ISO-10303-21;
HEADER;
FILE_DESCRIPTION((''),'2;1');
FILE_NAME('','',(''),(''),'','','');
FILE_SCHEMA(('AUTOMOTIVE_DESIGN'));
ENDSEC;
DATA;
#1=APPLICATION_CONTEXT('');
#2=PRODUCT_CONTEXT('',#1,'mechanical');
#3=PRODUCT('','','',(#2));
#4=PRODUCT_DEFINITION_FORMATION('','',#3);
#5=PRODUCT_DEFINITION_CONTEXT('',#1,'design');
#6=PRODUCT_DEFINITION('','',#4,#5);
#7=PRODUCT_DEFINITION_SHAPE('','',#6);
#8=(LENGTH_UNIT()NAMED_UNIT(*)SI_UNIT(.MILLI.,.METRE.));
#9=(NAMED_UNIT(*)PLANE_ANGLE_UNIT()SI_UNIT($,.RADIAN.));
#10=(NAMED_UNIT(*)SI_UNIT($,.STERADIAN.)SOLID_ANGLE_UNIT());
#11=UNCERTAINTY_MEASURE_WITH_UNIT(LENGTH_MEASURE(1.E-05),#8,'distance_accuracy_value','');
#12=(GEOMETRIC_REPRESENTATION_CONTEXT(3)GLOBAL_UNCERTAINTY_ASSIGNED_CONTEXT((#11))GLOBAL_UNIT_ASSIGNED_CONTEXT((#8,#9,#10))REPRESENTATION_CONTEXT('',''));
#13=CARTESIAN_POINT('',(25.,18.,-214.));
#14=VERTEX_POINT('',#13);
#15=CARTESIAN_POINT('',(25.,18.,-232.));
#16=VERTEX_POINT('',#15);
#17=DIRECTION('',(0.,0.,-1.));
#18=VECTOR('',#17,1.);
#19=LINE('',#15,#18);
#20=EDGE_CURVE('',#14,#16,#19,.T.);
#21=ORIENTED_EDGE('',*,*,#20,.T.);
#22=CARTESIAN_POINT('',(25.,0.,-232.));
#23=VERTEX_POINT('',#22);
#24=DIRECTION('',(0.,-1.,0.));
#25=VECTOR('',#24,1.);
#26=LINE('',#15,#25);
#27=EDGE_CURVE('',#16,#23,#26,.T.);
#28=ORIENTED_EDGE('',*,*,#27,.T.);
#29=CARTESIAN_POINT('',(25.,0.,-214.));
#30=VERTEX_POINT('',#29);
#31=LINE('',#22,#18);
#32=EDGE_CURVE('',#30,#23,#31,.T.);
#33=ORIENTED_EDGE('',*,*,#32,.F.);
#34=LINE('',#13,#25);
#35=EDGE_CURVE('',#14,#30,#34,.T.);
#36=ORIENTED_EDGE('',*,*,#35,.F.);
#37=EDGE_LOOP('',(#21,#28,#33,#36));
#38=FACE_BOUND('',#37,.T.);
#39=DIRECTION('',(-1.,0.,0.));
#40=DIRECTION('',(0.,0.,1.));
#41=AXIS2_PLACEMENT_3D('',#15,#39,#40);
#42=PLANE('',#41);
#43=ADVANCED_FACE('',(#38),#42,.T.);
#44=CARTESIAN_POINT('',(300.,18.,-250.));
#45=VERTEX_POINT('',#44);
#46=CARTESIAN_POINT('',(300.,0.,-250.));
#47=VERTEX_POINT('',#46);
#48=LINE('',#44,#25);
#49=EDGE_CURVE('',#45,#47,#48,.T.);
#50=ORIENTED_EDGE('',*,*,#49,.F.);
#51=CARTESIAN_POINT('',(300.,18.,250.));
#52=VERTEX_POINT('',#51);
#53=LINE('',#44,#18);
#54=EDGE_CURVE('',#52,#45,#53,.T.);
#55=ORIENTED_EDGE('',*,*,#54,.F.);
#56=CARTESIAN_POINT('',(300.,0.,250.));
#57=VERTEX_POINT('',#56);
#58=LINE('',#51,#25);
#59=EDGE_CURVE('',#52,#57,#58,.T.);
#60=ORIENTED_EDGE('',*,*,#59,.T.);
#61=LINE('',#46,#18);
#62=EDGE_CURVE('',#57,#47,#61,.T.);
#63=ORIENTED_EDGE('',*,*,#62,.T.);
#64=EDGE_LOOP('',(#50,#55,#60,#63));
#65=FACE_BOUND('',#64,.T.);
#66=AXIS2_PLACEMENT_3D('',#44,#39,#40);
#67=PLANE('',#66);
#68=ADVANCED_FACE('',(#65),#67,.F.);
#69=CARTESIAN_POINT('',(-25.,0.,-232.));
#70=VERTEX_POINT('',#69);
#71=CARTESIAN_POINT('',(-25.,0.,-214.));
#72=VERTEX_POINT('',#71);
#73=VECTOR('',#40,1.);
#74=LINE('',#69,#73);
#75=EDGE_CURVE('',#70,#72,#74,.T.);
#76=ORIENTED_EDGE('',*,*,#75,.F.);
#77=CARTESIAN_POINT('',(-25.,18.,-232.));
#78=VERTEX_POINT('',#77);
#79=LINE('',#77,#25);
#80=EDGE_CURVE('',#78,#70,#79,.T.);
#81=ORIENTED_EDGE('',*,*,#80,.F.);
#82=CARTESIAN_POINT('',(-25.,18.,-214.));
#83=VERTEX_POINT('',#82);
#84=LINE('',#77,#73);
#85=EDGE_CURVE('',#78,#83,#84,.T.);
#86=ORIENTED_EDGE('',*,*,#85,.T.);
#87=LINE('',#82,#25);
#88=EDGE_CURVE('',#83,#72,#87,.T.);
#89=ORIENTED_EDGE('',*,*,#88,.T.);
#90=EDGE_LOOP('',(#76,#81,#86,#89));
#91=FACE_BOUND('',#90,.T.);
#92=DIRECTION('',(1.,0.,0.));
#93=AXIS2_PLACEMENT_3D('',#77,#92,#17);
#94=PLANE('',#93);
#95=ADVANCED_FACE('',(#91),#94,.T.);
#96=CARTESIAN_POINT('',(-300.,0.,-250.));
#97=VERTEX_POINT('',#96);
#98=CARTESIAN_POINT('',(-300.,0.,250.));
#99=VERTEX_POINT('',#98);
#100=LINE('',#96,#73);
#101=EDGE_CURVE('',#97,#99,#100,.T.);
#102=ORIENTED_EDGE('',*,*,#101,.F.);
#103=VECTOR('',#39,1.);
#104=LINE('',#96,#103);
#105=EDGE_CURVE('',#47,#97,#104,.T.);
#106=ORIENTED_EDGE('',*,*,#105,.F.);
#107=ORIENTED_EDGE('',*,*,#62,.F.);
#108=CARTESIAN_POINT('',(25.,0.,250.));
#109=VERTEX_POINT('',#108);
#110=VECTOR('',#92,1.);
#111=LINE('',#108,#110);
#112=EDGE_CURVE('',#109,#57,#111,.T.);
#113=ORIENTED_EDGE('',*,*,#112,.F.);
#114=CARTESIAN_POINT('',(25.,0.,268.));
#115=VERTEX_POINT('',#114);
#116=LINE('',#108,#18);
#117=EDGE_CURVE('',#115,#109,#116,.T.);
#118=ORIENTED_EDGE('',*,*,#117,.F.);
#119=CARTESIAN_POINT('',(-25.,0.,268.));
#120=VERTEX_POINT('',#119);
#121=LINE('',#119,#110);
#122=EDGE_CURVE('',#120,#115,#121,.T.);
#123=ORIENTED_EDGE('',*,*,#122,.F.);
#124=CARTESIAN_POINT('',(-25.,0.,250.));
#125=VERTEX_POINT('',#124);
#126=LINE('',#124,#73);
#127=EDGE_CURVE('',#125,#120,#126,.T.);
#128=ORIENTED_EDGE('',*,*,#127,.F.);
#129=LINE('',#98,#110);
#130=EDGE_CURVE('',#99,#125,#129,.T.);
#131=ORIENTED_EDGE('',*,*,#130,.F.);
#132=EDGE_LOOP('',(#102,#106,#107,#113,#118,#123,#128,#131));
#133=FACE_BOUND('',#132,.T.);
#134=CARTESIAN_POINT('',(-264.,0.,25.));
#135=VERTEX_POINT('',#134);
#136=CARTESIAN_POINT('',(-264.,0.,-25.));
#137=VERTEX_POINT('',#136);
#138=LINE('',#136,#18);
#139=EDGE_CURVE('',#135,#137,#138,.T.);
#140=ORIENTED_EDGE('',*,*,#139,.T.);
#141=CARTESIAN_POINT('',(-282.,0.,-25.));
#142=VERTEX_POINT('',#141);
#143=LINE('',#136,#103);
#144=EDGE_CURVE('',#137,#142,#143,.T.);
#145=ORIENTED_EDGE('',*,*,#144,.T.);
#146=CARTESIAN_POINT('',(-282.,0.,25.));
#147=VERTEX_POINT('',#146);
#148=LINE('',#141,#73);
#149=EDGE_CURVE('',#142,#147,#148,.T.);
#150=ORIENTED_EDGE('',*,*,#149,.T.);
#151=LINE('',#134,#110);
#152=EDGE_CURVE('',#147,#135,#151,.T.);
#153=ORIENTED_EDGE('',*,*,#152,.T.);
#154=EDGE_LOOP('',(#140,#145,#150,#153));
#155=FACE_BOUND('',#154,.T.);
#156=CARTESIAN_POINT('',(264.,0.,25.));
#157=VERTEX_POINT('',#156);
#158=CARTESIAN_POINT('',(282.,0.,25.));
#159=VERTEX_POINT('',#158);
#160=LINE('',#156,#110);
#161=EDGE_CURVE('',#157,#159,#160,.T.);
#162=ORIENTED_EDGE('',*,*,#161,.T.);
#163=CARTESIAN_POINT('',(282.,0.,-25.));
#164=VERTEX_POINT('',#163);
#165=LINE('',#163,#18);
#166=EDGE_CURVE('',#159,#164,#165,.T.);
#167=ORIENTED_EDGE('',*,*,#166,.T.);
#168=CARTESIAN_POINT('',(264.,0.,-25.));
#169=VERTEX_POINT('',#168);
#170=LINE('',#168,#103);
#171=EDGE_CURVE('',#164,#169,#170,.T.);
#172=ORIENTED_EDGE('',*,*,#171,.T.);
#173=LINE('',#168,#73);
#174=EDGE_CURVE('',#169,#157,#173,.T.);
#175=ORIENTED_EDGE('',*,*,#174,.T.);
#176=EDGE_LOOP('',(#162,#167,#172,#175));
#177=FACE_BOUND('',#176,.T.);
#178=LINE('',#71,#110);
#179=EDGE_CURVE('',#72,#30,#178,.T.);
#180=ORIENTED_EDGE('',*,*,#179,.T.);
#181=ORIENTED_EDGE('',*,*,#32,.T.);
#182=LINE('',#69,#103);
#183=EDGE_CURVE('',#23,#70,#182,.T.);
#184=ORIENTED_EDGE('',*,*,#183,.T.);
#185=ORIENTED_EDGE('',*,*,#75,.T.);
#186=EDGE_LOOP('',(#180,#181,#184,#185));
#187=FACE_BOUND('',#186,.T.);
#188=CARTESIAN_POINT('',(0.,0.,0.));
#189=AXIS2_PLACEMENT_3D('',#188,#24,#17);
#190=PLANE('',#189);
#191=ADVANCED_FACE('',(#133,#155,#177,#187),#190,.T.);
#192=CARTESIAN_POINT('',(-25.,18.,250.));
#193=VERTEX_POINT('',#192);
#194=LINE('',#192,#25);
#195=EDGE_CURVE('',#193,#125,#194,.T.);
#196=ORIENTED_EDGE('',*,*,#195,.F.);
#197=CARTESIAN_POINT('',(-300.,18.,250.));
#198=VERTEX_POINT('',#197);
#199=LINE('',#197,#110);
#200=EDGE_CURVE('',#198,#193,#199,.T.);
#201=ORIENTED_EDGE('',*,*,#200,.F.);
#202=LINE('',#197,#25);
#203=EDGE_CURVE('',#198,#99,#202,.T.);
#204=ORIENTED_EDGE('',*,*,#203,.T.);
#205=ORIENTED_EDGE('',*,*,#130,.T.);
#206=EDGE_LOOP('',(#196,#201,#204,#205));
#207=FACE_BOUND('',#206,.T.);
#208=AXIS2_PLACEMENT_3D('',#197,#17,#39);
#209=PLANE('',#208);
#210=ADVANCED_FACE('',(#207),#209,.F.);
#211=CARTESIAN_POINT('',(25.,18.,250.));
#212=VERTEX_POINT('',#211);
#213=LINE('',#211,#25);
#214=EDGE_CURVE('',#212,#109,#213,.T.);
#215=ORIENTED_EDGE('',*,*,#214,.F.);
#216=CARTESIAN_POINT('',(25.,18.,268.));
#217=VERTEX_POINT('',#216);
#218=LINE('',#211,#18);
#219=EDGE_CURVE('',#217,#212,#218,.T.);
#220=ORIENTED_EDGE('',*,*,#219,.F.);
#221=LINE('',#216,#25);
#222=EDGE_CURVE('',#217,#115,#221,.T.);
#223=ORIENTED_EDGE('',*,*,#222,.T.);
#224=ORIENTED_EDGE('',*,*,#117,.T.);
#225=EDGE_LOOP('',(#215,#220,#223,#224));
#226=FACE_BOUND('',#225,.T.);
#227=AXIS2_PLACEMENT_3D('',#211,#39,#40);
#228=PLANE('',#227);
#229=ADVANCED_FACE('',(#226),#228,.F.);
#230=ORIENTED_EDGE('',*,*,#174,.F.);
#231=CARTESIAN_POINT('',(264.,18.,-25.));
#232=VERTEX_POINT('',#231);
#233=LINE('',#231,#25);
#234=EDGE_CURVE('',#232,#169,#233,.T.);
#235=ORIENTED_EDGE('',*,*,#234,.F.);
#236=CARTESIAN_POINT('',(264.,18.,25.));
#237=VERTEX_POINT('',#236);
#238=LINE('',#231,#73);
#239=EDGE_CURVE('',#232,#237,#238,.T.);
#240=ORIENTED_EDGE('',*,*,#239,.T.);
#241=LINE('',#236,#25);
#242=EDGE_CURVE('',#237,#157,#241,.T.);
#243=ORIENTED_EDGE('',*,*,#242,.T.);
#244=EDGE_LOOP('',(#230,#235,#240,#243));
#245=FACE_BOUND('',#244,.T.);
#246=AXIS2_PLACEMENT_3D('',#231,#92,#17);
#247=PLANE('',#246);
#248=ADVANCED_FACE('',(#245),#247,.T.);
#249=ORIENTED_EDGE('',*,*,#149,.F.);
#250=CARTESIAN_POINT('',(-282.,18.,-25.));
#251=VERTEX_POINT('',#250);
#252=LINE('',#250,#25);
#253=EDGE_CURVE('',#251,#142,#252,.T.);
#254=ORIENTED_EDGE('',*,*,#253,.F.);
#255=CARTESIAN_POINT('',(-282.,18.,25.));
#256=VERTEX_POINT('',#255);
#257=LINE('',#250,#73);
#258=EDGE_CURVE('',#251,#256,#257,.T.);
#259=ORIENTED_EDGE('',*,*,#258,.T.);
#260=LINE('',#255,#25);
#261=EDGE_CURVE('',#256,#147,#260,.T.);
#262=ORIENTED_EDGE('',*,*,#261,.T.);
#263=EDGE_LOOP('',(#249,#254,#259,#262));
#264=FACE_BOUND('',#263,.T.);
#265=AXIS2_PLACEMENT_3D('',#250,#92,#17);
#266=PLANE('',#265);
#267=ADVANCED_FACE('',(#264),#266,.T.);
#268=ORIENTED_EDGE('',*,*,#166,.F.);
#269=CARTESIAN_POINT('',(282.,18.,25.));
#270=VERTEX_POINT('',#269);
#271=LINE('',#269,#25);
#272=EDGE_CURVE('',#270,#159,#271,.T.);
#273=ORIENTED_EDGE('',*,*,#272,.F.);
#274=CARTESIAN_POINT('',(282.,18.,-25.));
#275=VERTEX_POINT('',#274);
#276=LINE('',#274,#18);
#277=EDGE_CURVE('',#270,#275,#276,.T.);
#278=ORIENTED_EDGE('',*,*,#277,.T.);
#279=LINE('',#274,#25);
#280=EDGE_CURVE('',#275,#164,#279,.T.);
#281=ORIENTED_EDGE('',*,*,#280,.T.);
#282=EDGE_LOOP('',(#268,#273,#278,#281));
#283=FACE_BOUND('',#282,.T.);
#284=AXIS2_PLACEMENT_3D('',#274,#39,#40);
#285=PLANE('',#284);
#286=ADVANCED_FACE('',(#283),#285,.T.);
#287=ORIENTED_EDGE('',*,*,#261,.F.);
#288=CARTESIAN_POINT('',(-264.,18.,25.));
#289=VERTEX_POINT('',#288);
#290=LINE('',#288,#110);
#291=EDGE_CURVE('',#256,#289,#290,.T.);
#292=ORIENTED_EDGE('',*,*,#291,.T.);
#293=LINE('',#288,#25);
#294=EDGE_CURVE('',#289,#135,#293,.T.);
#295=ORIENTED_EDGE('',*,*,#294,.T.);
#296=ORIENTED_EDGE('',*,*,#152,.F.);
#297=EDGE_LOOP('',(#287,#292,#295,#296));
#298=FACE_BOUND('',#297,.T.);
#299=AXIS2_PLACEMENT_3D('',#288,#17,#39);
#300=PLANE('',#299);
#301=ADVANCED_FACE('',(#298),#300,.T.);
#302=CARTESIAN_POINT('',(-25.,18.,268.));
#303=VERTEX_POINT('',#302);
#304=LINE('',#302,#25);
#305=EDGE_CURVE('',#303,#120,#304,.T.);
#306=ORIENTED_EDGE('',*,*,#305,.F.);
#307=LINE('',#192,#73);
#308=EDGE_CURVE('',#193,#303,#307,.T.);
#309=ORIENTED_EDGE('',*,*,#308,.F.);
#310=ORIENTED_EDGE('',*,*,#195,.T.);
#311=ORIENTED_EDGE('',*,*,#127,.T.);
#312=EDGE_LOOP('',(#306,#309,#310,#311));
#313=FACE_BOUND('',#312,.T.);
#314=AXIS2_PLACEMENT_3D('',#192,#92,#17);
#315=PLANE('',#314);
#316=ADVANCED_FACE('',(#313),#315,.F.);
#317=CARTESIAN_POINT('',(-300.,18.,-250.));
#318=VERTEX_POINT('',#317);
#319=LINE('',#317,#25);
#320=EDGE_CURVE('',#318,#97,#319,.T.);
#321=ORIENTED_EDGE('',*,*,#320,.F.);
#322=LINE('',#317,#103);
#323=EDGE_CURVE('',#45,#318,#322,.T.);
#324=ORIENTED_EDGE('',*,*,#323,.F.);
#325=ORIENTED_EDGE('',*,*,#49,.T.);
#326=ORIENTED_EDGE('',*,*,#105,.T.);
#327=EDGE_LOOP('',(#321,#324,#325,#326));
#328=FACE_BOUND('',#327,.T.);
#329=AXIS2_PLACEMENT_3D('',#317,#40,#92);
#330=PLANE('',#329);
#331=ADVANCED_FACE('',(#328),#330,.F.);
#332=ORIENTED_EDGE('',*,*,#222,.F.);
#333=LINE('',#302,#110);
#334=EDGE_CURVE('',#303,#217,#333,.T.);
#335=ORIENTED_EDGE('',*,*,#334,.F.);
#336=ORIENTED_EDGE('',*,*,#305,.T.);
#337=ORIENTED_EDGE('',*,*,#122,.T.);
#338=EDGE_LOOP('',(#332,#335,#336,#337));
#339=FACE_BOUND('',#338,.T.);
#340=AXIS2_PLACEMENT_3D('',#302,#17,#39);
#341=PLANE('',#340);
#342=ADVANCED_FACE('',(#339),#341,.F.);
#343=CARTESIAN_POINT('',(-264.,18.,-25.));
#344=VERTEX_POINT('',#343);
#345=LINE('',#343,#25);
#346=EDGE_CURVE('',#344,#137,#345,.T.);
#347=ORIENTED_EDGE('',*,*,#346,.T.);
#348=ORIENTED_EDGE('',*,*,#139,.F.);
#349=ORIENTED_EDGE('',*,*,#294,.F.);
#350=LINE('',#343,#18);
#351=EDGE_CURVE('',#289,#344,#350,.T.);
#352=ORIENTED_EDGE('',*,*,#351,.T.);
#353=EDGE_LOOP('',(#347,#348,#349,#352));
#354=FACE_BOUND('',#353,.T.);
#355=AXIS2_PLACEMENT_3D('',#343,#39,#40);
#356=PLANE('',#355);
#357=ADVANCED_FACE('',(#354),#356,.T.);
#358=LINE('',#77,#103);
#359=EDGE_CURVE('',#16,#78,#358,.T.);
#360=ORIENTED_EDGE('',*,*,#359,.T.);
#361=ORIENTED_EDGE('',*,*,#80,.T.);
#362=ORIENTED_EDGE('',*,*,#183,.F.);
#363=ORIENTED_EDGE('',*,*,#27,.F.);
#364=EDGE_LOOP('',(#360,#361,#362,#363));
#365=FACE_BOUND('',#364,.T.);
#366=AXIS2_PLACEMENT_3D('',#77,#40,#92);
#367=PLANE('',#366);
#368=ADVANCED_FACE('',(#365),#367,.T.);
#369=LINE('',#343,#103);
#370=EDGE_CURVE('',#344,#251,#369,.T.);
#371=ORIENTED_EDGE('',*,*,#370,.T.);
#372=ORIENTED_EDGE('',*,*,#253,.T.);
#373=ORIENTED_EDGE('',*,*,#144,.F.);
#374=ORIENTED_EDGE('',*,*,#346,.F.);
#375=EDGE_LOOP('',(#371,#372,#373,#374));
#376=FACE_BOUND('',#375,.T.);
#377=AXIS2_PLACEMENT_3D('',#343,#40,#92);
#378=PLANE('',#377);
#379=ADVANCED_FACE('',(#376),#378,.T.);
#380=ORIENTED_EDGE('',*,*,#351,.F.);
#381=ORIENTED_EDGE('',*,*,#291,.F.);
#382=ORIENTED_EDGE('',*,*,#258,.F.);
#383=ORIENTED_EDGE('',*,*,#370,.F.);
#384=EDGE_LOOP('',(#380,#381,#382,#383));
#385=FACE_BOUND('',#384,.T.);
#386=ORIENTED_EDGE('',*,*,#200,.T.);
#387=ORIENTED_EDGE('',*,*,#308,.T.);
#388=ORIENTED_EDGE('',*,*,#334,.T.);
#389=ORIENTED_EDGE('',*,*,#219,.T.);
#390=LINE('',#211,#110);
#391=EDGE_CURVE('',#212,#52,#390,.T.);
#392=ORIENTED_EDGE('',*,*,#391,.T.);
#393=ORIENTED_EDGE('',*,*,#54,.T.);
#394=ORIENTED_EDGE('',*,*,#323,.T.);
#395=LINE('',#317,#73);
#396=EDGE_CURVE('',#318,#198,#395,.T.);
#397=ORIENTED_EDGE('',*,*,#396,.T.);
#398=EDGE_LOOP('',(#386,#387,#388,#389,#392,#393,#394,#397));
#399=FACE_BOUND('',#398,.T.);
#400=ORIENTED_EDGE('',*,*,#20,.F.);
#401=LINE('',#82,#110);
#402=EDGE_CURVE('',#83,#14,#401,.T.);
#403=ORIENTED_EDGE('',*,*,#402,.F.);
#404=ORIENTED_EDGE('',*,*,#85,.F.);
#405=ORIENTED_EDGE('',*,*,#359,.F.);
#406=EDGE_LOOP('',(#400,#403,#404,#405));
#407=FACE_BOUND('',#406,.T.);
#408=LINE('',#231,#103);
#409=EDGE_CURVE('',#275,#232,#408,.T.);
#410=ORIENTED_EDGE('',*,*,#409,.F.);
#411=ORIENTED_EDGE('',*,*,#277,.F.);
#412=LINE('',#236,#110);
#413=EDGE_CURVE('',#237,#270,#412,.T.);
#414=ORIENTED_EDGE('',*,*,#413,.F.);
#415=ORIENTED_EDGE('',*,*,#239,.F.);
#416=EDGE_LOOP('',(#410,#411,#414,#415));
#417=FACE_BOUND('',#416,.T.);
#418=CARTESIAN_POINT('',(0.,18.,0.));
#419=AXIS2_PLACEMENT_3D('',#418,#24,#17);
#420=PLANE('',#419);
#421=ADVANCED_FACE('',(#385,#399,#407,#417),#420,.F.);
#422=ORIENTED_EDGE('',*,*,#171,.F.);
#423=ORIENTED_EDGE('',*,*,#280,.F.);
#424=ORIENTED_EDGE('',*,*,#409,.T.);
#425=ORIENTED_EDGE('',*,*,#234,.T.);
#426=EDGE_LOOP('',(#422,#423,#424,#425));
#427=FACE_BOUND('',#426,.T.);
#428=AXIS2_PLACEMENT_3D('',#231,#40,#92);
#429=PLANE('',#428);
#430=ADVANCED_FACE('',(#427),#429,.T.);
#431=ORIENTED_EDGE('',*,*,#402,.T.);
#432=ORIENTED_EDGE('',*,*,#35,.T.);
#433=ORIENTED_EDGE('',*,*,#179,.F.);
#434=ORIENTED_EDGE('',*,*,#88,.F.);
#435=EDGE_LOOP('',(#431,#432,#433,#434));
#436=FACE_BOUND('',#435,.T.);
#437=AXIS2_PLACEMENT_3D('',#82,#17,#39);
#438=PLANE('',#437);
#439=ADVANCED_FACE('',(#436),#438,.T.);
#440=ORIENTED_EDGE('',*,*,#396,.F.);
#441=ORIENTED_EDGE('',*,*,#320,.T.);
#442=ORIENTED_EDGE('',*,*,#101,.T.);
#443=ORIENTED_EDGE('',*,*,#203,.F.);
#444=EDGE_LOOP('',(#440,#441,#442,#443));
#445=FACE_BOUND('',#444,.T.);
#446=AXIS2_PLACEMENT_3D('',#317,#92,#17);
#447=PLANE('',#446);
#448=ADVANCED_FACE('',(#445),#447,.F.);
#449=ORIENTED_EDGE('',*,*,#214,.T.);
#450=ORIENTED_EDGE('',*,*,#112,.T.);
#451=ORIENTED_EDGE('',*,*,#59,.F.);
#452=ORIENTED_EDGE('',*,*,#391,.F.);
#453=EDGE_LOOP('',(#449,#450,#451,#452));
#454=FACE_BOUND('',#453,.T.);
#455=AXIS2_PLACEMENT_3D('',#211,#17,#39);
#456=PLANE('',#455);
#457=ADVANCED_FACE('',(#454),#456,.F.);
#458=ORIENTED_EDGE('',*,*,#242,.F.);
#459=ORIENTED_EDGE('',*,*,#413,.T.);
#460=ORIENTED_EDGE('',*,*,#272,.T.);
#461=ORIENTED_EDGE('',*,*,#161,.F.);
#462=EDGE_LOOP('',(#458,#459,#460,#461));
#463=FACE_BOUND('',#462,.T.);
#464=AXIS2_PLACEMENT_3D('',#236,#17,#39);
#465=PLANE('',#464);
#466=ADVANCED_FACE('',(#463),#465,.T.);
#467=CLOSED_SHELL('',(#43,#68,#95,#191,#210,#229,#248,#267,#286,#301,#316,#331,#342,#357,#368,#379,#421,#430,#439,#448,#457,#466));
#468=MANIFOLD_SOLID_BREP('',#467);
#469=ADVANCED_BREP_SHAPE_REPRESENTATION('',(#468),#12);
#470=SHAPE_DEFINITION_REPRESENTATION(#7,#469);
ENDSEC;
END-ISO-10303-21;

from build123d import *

# Parameters (mm, degrees)
SKETCH1_W           = 18
SKETCH1_H           = 50
SKETCH1_W_2         = 50
SKETCH1_H_2         = 18
BOSS_EXTRUDE1_DEPTH = 18


with BuildPart() as part:
    # Sketch1 → Boss-Extrude1 (new body)
    with BuildSketch(Plane(origin=(0, 0, 0), x_dir=(1, 0, 0), z_dir=(0, 1, 0))):
        Polygon((-300, 250), (300, 250), (300, -250), (25, -250), (25, -268), (-25, -268), (-25, -250), (-300, -250), align=None)
        with Locations((-273, 0)):
            Rectangle(SKETCH1_W, SKETCH1_H, mode=Mode.SUBTRACT)
        with Locations((0, 223)):
            Rectangle(SKETCH1_W_2, SKETCH1_H_2, mode=Mode.SUBTRACT)
        with Locations((273, 0)):
            Rectangle(SKETCH1_W, SKETCH1_H, mode=Mode.SUBTRACT)
    extrude(amount=BOSS_EXTRUDE1_DEPTH)


solid = part.part
